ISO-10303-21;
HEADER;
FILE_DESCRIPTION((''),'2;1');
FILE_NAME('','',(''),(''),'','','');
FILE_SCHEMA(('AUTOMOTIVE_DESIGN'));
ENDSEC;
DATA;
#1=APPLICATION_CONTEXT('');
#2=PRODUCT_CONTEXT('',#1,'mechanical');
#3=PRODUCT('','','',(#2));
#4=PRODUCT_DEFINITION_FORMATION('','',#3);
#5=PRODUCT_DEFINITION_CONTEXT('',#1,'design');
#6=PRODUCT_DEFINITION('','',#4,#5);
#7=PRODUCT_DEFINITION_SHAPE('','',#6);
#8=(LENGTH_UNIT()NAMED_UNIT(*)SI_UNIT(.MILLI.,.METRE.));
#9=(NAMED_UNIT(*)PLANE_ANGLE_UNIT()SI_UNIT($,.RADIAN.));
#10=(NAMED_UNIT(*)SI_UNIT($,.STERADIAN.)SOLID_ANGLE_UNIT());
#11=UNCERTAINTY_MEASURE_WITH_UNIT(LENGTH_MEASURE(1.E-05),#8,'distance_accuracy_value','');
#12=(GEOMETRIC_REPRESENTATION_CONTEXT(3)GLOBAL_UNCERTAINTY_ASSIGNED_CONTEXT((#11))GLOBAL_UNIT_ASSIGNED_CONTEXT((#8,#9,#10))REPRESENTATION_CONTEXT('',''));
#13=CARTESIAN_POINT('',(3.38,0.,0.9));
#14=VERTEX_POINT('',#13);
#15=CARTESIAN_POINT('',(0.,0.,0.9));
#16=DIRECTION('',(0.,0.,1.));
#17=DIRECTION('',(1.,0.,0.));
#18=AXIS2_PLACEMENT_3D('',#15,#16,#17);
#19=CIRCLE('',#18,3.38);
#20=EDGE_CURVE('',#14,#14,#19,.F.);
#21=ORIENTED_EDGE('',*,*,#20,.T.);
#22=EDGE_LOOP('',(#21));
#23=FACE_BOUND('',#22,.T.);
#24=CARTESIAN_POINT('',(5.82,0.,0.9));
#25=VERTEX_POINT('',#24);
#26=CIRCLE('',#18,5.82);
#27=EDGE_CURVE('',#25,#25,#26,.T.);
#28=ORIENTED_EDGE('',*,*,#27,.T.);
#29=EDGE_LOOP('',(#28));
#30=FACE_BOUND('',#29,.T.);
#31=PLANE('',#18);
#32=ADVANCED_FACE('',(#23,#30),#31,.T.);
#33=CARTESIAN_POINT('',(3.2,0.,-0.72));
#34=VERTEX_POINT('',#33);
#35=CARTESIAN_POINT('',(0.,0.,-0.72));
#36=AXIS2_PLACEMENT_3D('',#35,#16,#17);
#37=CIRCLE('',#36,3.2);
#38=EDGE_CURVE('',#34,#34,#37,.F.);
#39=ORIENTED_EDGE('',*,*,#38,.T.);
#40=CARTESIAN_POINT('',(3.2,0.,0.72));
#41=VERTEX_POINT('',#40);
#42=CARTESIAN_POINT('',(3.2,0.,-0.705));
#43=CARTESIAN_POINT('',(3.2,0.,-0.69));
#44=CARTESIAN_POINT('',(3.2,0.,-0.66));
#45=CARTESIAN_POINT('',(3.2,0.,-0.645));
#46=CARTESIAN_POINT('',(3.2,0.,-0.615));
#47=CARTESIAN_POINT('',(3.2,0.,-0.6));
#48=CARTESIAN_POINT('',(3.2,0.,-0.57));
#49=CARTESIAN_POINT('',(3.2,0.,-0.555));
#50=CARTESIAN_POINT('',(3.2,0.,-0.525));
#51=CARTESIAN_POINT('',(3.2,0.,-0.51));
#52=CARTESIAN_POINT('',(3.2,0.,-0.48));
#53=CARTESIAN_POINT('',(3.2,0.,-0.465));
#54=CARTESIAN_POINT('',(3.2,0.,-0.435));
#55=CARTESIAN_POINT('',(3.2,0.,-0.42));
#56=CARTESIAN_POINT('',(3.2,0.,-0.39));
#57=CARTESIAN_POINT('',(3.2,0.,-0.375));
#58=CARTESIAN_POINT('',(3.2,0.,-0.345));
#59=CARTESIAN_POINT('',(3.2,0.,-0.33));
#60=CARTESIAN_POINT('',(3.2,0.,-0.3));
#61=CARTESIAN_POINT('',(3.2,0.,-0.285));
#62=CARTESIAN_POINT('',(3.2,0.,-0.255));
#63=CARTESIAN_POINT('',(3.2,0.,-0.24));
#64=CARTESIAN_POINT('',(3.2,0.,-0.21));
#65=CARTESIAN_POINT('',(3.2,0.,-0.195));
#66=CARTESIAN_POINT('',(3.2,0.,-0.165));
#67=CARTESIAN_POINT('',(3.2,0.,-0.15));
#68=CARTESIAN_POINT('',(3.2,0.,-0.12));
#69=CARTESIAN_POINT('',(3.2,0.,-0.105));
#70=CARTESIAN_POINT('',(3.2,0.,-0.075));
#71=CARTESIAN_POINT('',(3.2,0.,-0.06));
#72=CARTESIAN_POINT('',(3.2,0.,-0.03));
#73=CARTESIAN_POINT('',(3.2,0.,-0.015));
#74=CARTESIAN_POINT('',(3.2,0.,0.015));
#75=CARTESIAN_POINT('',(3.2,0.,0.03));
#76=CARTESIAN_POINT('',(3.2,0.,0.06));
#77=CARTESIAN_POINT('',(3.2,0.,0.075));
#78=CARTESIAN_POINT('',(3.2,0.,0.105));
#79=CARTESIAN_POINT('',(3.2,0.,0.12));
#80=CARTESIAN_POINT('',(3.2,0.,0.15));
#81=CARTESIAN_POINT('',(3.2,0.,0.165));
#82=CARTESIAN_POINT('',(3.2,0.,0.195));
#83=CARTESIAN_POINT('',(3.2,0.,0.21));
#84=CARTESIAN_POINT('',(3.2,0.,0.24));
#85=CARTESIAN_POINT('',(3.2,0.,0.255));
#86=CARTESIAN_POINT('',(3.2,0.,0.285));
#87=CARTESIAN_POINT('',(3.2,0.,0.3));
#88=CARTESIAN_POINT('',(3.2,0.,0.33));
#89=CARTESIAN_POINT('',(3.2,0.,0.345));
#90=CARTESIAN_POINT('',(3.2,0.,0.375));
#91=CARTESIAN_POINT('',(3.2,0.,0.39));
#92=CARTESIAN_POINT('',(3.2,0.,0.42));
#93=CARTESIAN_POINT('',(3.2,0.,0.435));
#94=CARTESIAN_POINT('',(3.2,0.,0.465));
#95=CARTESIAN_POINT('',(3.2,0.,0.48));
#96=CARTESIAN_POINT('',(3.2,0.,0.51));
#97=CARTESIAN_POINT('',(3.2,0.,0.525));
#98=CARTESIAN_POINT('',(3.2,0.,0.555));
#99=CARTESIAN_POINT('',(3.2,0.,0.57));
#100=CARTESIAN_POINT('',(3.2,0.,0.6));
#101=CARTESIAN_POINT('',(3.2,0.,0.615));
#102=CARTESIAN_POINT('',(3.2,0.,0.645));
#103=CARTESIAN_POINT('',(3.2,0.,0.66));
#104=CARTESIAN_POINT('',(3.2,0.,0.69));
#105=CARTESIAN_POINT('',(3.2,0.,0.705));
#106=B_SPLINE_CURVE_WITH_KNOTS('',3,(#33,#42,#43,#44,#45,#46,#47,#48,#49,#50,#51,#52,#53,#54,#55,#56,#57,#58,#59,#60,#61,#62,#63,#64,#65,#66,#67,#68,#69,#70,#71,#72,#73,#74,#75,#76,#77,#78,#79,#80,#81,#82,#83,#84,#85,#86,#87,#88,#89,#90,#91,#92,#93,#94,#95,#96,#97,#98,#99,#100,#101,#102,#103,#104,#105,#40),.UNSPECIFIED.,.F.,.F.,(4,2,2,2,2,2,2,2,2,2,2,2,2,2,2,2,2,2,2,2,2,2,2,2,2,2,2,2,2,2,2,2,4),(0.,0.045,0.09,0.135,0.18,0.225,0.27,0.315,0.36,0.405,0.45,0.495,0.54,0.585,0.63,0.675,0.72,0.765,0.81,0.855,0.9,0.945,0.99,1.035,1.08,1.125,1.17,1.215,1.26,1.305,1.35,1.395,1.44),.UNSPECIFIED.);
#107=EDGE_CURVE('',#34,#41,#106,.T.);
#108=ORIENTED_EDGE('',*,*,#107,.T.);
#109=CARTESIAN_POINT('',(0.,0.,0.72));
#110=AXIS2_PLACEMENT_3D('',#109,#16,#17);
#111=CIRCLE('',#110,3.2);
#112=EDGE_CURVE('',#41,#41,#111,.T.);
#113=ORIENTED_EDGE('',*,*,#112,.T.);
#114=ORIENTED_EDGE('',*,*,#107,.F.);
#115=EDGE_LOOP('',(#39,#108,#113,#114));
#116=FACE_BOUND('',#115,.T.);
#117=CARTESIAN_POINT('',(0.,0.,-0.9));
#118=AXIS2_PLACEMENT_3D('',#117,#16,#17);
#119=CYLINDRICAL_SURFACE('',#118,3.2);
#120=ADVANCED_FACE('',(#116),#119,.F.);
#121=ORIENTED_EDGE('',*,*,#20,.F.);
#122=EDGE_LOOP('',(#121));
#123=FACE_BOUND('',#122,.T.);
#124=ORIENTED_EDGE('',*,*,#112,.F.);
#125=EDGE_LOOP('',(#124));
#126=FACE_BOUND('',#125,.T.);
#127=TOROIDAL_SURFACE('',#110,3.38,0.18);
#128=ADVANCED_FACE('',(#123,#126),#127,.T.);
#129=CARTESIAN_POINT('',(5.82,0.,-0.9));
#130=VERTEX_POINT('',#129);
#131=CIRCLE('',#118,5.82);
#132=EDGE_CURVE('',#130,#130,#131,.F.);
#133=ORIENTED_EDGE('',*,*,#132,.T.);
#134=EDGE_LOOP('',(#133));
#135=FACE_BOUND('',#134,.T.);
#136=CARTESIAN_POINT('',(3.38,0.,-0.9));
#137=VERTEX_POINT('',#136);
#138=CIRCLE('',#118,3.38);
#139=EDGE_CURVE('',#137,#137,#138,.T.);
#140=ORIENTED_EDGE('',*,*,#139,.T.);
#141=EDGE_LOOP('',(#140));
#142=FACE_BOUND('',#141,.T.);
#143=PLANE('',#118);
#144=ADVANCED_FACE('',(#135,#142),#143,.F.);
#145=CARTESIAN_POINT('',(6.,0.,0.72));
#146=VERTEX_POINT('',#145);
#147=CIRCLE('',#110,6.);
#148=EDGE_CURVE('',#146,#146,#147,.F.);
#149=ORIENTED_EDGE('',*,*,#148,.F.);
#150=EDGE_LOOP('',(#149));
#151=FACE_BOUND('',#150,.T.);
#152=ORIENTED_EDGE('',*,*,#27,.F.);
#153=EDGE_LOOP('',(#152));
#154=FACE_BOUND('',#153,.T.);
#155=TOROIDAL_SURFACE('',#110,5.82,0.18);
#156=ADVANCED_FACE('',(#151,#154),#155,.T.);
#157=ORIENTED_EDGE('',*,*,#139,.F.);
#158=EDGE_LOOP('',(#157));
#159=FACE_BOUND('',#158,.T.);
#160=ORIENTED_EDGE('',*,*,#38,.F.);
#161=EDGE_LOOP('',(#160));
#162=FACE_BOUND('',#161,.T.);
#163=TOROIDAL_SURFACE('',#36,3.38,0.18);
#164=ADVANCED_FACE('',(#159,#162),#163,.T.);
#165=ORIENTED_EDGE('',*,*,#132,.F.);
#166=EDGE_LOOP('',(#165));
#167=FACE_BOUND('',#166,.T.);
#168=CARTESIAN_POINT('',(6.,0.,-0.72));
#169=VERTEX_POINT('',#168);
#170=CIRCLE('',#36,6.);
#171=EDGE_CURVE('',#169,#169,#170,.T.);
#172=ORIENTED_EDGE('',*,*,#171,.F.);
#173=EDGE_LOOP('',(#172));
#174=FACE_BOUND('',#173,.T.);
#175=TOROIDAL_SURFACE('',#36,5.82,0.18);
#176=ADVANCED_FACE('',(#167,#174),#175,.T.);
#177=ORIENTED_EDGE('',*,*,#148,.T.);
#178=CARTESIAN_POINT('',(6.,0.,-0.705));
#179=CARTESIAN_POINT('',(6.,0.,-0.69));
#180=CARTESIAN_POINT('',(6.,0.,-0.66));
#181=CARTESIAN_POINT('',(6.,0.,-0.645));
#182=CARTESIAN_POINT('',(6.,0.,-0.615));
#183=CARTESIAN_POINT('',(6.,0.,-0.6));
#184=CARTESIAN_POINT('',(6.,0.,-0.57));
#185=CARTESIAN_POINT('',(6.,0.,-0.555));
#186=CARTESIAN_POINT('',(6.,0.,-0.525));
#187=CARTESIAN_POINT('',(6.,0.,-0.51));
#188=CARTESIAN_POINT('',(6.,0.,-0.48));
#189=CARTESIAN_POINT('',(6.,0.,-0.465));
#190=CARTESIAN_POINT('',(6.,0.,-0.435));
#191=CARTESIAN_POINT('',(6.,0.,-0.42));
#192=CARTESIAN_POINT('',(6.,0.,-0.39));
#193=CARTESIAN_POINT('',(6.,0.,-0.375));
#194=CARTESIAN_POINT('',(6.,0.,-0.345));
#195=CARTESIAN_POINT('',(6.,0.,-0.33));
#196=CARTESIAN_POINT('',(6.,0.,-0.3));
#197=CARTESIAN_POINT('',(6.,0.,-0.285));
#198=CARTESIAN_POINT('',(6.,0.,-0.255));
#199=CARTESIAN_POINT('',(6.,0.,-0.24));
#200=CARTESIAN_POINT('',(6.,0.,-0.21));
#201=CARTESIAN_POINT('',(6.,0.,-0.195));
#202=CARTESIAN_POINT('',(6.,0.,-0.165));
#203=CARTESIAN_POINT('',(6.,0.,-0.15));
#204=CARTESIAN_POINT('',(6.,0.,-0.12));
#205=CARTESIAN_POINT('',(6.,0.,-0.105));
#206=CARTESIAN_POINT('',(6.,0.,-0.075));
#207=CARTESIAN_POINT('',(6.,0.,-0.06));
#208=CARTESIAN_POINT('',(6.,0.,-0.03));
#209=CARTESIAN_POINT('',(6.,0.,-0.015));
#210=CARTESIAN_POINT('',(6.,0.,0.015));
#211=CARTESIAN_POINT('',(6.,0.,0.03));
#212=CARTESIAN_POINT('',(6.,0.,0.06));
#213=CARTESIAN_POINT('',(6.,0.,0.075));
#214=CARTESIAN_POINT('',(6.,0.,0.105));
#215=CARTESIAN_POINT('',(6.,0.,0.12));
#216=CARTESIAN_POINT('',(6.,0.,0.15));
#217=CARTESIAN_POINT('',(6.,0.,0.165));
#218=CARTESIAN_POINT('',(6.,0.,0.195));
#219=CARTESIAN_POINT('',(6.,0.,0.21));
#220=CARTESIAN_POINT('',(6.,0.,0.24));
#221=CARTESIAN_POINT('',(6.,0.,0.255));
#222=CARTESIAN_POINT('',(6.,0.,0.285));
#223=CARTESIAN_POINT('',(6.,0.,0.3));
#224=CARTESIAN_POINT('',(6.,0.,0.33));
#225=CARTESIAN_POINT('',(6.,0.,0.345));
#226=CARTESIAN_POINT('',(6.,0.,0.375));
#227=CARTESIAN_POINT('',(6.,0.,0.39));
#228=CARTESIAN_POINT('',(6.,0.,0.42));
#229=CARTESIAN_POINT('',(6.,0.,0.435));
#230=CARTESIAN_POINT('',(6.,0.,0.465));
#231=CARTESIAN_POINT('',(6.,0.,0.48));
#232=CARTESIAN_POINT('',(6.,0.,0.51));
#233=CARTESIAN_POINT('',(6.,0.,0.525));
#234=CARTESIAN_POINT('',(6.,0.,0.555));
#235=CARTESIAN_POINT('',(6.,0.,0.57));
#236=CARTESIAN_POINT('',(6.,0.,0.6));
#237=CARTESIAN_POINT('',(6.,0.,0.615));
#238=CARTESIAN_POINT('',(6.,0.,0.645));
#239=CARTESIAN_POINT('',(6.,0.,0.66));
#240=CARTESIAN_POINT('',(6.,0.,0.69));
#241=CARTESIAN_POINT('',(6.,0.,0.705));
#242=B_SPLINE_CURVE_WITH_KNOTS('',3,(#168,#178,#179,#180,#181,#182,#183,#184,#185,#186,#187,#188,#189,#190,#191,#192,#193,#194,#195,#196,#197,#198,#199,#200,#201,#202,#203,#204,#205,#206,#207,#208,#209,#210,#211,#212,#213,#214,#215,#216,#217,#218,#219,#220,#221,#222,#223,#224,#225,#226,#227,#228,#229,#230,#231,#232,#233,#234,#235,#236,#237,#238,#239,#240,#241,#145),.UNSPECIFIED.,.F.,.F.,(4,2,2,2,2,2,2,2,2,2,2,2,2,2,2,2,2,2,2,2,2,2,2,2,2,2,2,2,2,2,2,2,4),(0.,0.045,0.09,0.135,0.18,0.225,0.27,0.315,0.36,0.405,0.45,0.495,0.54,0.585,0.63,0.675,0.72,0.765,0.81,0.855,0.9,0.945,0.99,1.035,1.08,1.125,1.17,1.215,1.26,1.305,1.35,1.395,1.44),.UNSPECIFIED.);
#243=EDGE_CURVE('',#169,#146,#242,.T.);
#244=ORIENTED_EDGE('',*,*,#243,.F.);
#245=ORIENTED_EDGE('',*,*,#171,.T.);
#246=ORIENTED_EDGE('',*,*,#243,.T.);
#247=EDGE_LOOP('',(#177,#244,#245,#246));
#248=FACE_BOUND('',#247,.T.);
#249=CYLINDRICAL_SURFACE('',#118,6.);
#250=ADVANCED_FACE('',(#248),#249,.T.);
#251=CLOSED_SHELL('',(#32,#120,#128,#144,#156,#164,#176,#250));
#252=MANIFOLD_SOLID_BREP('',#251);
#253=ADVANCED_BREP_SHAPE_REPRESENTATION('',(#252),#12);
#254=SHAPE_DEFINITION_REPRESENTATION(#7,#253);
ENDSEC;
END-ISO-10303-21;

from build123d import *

# Parameters (mm, degrees)
BOSS_EXTRUDE1_DEPTH      = 0.9
BOSS_EXTRUDE1_DEPTH_BACK = 0.9
SKETCH3_R                = 6
SKETCH3_R_2              = 3.2
FILLET1_R                = 0.18


with BuildPart() as part:
    # Sketch3 → Boss-Extrude1 (new, two sides: drawn at the far end of the back side and taken through both)
    with BuildSketch(Plane.XY.offset(-BOSS_EXTRUDE1_DEPTH_BACK)):
        Circle(SKETCH3_R)
        Circle(SKETCH3_R_2, mode=Mode.SUBTRACT)
    extrude(amount=BOSS_EXTRUDE1_DEPTH + BOSS_EXTRUDE1_DEPTH_BACK)

    # Fillet1
    fillet1_edges = [part.edges().sort_by_distance(p)[0] for p in [
        (-6, 0, -0.9),
        (-3.2, 0, -0.9),
        (-6, 0, 0.9),
        (-3.2, 0, 0.9),
    ]]
    fillet(fillet1_edges, radius=FILLET1_R)


solid = part.part
